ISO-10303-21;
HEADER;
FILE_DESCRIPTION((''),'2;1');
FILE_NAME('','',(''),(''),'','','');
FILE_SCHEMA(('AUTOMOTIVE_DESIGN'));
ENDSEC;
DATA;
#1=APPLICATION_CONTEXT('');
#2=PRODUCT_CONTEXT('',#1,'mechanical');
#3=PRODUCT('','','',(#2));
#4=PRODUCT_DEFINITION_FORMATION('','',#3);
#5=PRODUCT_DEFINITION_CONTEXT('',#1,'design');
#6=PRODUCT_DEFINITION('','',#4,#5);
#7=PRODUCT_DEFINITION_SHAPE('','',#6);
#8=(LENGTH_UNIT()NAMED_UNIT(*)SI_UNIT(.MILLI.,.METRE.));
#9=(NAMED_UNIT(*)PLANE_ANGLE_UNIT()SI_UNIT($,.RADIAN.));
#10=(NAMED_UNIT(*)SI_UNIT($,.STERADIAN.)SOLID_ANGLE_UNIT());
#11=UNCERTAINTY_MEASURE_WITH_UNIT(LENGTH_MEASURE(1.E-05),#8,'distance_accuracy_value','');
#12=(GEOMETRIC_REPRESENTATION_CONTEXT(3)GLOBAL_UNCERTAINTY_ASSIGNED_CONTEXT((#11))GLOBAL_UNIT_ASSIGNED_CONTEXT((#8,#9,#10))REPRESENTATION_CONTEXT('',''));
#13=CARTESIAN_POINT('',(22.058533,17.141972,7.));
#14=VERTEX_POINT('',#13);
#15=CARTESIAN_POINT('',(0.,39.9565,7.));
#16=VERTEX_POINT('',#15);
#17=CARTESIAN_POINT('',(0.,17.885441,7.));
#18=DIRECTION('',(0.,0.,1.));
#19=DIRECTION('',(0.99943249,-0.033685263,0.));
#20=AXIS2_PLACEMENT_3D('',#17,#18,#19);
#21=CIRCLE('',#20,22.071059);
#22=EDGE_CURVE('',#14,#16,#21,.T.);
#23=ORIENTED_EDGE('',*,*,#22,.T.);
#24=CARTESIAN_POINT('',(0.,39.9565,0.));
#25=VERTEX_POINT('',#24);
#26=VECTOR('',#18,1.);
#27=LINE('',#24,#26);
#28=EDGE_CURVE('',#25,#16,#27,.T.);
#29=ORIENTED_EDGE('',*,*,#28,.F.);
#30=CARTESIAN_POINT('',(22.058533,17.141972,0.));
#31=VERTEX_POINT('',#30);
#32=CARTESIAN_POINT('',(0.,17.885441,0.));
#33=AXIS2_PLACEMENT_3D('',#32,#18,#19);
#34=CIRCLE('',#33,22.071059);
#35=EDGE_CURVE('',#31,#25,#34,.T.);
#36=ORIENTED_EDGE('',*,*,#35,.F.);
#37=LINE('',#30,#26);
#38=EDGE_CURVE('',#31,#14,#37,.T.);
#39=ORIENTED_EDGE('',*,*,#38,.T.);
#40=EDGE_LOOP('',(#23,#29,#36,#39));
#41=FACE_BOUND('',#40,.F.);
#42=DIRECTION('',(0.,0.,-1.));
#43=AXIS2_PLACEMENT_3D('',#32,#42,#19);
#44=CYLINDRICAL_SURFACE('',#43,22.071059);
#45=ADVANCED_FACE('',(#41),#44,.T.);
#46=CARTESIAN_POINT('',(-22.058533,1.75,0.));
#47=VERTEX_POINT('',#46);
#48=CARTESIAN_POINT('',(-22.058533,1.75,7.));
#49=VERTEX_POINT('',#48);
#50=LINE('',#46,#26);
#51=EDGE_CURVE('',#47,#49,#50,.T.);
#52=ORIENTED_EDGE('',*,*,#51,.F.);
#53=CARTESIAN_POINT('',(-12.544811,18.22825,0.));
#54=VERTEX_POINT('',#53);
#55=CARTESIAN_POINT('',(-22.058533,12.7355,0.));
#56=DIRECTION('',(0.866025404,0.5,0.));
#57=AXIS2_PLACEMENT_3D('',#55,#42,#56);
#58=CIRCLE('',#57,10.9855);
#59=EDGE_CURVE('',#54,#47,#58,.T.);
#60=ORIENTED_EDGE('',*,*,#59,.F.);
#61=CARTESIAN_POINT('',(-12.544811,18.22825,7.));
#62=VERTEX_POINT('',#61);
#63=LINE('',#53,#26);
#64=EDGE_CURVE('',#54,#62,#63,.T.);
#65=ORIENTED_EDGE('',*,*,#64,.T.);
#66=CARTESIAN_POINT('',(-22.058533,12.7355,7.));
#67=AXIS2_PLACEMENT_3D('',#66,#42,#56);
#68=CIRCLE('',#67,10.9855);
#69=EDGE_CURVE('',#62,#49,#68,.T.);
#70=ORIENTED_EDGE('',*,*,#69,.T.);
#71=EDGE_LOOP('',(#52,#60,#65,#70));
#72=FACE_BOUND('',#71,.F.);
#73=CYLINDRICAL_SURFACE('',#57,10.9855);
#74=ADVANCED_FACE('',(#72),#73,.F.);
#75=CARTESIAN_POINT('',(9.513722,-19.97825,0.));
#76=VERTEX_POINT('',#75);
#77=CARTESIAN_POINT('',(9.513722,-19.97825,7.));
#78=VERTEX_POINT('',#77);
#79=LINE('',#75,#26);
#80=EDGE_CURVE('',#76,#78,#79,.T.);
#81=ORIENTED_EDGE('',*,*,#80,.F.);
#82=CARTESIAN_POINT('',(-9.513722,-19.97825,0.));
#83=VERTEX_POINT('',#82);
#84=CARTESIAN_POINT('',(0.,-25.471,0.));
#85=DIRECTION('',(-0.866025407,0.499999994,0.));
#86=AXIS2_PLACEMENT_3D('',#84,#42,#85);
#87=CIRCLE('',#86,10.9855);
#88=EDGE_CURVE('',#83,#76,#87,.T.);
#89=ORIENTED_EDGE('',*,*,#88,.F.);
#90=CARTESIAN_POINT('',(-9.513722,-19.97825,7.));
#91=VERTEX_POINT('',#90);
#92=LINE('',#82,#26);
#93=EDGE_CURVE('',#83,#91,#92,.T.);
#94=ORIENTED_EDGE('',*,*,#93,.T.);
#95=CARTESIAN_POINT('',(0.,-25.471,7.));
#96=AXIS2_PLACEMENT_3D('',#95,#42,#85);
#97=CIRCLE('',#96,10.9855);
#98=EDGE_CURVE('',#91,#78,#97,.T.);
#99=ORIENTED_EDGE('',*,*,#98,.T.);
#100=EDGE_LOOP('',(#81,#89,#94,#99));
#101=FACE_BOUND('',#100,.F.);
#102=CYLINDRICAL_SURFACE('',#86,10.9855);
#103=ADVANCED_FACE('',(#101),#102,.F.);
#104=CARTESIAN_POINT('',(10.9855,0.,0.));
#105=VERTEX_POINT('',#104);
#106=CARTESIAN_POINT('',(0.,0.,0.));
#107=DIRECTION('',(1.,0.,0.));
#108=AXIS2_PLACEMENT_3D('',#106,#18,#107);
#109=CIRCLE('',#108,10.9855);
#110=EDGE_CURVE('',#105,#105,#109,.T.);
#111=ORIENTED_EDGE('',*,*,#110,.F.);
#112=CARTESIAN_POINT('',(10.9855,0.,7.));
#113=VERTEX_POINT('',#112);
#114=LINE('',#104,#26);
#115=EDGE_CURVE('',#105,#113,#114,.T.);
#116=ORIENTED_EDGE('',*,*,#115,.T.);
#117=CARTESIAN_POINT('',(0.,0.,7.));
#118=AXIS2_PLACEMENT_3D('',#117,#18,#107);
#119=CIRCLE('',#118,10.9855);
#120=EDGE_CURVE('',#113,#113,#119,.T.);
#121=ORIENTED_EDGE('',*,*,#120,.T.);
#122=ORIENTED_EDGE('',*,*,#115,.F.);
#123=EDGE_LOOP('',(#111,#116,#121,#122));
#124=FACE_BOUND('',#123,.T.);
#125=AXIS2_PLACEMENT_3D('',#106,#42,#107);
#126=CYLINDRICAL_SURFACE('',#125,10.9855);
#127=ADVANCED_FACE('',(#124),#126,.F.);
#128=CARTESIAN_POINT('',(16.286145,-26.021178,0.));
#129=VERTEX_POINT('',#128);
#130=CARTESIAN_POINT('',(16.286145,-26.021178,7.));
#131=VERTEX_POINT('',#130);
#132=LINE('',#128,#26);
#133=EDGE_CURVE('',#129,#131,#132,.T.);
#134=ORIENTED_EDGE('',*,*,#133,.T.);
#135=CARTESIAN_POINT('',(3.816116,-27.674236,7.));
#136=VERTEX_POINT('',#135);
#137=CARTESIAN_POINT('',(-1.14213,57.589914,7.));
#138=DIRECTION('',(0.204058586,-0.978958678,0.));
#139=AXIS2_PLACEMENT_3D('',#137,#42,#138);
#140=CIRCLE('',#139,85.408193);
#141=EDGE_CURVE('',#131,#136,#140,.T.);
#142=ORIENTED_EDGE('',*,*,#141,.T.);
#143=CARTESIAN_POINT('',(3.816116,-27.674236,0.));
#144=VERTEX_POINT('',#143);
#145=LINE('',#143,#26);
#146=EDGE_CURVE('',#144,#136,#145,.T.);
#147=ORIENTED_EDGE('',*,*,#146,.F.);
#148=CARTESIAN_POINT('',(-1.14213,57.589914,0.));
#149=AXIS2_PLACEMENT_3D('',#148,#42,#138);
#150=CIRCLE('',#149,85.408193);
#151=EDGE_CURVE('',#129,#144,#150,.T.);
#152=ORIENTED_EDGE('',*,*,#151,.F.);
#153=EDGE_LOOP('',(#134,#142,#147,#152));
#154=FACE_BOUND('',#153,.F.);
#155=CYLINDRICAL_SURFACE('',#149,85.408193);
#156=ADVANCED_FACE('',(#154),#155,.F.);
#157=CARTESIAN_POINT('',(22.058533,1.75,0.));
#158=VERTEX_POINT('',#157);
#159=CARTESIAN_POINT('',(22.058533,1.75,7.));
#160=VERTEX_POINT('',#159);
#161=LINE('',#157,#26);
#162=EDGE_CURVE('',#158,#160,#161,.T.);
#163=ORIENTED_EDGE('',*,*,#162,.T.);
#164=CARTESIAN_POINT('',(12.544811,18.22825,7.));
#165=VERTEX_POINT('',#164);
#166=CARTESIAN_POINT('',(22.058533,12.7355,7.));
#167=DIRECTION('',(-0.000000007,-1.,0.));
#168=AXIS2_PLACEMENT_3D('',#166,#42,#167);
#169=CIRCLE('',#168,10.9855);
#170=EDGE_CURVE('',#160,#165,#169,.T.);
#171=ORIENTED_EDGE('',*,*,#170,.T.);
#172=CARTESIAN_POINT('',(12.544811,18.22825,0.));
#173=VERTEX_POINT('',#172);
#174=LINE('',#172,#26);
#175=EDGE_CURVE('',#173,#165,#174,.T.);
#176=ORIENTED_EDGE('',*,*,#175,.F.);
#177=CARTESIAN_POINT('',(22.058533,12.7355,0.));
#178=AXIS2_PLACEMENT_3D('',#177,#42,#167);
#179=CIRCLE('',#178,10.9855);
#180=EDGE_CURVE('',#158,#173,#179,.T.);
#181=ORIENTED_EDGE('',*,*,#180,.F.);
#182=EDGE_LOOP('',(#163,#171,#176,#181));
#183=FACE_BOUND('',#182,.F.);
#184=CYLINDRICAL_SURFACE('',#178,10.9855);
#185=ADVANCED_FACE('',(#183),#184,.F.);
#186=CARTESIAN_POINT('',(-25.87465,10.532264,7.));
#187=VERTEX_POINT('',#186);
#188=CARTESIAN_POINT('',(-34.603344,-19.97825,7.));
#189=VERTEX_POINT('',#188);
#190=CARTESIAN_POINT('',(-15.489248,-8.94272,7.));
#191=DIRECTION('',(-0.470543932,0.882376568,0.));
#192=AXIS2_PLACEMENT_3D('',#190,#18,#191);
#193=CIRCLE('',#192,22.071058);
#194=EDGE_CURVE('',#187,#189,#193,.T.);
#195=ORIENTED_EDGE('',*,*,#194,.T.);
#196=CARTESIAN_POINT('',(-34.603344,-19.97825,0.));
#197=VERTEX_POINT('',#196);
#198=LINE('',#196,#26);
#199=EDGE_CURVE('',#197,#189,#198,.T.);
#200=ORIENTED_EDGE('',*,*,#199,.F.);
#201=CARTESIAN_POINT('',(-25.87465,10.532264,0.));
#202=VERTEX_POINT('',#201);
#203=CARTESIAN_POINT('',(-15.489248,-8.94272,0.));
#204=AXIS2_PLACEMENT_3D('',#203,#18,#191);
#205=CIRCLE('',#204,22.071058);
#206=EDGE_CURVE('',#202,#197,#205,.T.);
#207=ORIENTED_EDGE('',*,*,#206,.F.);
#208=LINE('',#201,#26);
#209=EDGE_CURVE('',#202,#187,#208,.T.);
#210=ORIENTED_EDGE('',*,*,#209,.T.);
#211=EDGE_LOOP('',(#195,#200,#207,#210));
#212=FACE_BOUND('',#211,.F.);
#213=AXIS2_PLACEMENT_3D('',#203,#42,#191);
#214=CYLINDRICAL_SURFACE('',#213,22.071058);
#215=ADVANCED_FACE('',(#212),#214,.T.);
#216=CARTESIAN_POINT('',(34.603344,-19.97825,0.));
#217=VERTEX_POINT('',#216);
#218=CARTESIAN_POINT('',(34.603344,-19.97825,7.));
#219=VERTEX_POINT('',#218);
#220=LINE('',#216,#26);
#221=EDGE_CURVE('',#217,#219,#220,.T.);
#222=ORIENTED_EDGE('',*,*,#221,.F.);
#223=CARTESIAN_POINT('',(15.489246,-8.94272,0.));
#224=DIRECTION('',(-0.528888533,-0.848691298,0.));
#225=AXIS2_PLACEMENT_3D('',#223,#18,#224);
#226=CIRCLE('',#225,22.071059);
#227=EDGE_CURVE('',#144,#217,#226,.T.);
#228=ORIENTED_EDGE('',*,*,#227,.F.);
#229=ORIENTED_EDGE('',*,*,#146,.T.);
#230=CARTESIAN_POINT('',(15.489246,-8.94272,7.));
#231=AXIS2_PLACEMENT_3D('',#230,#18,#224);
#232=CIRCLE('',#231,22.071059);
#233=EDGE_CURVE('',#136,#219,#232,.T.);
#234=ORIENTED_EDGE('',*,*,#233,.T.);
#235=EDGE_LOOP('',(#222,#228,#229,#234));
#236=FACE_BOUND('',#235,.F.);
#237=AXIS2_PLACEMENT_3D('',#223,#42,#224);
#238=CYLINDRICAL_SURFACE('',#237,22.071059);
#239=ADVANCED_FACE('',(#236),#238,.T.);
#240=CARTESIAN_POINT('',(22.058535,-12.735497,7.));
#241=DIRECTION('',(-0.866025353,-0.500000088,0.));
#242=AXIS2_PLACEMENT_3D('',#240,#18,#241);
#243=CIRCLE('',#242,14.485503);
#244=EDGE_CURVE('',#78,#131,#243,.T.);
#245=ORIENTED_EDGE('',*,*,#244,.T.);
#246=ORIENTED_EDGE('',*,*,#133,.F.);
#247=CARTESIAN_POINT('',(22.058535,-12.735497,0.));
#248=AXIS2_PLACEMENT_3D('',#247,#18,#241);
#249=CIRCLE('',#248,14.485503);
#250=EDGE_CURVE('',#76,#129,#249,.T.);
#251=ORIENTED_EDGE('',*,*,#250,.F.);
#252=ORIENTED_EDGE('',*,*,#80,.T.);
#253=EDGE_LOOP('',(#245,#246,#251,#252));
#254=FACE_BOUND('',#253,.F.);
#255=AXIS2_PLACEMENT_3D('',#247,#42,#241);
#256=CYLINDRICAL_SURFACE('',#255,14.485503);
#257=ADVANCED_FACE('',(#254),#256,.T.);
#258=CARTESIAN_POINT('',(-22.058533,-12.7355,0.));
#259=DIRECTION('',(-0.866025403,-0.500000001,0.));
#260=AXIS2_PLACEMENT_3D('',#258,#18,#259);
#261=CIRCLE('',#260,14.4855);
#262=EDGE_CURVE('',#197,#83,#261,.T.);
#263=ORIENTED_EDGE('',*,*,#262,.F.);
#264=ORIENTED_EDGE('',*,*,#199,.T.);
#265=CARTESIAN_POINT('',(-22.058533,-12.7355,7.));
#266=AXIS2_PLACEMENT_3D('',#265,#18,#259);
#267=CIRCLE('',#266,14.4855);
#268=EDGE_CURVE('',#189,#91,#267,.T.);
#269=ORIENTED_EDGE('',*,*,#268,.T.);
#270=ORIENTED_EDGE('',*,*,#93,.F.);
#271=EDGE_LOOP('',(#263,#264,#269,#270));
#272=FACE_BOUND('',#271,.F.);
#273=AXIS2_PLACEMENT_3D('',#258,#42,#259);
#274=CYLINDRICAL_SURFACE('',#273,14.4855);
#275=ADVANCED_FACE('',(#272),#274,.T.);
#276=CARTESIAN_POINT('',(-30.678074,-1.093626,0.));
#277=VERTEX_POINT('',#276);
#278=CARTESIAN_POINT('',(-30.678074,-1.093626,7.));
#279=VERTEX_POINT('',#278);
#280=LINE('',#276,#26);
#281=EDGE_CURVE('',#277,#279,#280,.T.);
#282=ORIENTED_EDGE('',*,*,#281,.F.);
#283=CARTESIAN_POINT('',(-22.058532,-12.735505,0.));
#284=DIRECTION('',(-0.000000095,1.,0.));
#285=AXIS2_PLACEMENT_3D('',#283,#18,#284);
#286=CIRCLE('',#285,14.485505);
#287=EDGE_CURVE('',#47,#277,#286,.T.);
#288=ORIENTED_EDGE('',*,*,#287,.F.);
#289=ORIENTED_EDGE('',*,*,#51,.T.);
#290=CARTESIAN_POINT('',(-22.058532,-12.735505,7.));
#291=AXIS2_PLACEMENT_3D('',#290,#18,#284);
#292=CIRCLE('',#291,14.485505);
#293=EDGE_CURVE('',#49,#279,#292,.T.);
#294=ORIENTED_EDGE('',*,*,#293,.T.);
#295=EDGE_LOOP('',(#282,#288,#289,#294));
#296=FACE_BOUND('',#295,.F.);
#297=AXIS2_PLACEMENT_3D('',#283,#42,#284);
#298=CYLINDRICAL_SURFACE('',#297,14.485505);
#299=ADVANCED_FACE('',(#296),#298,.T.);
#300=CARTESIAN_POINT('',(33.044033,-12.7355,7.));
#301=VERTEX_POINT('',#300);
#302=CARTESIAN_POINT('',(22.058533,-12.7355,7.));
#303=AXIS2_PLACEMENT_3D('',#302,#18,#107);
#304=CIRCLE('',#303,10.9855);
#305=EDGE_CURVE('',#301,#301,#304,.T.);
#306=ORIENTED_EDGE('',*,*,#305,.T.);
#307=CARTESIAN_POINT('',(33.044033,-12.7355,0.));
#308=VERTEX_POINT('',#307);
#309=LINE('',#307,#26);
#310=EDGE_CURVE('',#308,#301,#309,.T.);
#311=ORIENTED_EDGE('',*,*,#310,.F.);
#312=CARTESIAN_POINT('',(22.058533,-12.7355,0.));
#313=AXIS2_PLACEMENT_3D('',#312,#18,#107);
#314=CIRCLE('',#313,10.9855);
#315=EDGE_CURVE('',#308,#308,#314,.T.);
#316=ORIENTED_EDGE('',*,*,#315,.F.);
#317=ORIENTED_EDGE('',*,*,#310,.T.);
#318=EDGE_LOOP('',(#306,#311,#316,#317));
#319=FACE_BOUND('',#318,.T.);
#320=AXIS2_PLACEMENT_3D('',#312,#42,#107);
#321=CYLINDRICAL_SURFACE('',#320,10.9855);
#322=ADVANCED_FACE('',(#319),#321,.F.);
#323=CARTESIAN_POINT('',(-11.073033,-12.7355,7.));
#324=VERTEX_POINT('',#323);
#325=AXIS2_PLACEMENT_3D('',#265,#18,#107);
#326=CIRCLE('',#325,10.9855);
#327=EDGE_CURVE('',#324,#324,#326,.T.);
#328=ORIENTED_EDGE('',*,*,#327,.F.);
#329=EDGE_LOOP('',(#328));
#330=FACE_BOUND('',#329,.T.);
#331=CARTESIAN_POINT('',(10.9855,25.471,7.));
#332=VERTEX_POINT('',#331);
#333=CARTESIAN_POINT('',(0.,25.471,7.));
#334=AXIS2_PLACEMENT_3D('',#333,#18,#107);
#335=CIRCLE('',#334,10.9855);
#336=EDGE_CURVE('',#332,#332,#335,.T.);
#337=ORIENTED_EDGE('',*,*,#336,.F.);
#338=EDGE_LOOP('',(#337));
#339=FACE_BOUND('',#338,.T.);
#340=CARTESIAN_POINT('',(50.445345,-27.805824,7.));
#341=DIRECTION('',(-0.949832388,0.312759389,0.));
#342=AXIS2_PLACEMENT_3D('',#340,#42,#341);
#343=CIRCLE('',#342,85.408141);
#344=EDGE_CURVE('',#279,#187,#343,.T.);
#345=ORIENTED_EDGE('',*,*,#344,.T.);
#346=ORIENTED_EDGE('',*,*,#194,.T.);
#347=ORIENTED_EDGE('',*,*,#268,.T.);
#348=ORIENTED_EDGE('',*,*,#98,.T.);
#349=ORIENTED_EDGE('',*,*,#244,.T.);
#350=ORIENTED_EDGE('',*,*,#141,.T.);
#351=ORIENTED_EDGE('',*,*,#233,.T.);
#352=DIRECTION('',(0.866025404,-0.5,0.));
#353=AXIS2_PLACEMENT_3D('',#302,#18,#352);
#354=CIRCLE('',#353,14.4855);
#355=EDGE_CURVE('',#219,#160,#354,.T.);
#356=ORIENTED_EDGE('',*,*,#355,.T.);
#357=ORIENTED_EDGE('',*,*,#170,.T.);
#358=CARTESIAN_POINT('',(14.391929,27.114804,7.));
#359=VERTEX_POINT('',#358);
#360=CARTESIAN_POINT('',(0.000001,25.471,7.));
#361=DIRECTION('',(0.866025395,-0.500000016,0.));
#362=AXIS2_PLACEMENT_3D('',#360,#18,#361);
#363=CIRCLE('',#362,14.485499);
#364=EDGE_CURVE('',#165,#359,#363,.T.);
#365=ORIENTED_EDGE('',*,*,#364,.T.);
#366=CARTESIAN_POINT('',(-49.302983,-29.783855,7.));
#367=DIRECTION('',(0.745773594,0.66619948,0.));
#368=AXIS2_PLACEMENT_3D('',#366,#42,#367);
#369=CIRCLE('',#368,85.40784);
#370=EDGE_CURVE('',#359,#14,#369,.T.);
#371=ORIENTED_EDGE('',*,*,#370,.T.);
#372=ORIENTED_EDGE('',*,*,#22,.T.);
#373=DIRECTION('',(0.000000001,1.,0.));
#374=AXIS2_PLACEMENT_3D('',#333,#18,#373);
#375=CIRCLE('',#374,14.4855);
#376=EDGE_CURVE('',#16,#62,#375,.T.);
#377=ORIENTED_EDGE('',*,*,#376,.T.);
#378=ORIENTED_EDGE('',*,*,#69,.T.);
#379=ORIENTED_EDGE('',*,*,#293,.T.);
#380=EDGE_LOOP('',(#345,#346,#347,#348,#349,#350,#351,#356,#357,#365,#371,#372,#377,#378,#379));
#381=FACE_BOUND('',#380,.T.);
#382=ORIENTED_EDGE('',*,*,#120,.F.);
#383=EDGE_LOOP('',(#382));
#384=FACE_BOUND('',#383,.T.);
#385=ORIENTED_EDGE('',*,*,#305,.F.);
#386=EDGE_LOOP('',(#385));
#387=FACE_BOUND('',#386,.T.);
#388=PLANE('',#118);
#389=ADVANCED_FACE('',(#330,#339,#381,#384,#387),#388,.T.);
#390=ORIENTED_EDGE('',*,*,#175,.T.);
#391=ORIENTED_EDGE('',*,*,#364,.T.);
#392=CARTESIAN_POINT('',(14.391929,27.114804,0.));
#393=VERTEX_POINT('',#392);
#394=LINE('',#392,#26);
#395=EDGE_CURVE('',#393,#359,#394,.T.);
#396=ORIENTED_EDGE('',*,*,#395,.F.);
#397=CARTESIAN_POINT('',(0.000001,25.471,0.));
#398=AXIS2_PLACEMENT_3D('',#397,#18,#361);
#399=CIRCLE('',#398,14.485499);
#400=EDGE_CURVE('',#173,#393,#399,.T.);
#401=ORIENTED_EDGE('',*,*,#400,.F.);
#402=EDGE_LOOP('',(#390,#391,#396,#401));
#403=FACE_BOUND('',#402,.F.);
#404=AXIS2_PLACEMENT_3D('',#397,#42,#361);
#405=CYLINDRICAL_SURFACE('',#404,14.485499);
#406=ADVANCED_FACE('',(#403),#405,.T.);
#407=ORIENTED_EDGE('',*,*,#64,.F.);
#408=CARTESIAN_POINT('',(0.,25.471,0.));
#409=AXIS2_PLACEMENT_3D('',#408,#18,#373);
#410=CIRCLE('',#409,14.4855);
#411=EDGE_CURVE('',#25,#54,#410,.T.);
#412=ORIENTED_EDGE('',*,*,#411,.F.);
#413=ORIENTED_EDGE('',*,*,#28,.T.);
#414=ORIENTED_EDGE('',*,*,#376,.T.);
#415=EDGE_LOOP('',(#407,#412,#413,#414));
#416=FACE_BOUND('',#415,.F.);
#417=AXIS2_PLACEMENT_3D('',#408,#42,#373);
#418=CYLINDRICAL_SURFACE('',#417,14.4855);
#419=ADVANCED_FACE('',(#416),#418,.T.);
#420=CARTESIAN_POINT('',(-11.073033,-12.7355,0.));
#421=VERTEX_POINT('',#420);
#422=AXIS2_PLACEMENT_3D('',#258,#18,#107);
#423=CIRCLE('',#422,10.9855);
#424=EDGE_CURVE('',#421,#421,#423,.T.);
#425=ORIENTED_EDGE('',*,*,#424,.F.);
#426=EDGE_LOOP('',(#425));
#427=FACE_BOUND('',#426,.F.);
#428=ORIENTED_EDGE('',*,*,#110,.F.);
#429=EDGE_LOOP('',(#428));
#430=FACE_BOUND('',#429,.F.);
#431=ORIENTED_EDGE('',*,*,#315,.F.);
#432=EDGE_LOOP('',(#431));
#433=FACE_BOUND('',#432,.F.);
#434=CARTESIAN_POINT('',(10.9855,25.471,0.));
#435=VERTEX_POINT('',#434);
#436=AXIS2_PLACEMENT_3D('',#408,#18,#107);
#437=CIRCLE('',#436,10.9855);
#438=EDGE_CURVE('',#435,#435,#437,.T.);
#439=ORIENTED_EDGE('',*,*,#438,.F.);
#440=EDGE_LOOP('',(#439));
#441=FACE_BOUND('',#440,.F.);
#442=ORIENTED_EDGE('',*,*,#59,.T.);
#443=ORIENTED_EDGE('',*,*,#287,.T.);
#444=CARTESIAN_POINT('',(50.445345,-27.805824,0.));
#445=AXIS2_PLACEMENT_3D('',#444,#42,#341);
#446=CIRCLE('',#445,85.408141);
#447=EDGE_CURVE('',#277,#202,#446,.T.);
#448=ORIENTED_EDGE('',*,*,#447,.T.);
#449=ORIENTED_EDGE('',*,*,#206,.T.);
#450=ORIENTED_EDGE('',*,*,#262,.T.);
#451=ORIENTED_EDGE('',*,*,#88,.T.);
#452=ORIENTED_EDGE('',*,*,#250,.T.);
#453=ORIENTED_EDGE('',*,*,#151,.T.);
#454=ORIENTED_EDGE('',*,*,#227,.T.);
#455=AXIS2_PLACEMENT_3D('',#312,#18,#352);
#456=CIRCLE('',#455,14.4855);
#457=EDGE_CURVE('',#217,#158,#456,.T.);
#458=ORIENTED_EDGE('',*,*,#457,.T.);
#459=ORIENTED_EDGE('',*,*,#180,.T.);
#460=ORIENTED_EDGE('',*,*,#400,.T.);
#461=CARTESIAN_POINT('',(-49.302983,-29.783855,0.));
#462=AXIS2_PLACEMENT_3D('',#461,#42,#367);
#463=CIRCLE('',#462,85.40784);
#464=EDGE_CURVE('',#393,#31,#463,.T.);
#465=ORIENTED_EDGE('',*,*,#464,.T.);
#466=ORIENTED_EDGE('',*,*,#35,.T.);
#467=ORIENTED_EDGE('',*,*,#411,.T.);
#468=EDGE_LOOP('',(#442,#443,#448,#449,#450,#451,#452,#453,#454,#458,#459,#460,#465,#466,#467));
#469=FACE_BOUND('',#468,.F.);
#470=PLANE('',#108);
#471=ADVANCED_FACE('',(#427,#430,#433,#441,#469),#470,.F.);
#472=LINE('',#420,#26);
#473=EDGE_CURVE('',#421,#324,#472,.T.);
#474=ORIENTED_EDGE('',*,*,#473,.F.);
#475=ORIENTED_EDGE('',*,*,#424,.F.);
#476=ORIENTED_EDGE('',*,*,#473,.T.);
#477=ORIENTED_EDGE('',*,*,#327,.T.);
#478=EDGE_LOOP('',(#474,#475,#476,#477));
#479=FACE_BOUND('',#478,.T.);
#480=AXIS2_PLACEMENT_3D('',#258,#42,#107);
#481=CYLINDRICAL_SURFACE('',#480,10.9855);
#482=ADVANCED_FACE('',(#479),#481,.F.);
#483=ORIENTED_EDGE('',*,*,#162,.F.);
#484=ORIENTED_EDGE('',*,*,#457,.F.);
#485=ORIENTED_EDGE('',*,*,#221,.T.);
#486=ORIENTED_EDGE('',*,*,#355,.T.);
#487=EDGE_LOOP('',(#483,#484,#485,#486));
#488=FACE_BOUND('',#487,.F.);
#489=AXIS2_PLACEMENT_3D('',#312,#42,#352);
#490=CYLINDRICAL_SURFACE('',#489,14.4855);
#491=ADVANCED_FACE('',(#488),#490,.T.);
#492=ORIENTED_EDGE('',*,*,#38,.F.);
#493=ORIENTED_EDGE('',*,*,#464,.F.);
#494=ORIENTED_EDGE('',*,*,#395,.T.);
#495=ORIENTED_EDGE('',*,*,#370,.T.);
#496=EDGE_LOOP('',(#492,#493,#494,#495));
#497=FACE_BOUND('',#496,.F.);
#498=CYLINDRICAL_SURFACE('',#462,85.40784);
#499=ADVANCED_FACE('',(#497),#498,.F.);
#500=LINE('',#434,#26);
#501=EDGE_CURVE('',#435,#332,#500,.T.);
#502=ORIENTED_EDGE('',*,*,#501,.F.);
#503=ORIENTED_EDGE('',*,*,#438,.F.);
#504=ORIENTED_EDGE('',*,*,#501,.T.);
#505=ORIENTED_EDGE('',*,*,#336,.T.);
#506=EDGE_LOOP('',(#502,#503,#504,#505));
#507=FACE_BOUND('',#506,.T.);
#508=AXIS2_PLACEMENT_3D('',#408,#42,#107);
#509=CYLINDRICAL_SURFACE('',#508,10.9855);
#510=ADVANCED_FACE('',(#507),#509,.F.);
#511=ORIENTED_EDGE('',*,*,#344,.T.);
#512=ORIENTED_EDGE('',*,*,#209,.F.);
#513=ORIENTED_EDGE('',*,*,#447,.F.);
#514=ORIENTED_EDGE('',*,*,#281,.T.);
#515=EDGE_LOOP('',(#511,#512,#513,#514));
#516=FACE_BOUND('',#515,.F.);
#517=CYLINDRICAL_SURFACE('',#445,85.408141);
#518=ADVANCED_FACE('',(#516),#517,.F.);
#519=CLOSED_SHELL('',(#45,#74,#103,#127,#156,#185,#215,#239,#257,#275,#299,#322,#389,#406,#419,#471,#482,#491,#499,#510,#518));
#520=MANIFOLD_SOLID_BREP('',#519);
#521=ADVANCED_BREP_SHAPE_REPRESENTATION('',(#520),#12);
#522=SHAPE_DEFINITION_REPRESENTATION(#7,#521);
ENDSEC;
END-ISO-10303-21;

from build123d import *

# Parameters (mm, degrees)
F1_R     = 10.9855
F2_DEPTH = 7


with BuildPart() as f2:
    # F1 (on Top) → F2 (new body)
    with BuildSketch(Plane.XY):
        with BuildLine():
            ThreePointArc((-12.544811, 18.22825), (-12.544811, 7.24275), (-22.058533, 1.75))
            ThreePointArc((-22.058533, 1.75), (-26.596779, 1.020736), (-30.678074, -1.093626))
            ThreePointArc((-30.678074, -1.093626), (-28.490689, 4.807872), (-25.87465, 10.532264))
            ThreePointArc((-25.87465, 10.532264), (-36.709002, -2.872002), (-34.603344, -19.97825))
            ThreePointArc((-34.603344, -19.97825), (-22.058533, -27.221), (-9.513722, -19.97825))
            ThreePointArc((-9.513722, -19.97825), (0, -14.4855), (9.513722, -19.97825))
            ThreePointArc((9.513722, -19.97825), (12.414406, -23.543854), (16.286145, -26.021178))
            ThreePointArc((16.286145, -26.021178), (10.081605, -27.077596), (3.816116, -27.674236))
            ThreePointArc((3.816116, -27.674236), (20.841727, -30.354927), (34.603344, -19.97825))
            ThreePointArc((34.603344, -19.97825), (34.603344, -5.49275), (22.058533, 1.75))
            ThreePointArc((22.058533, 1.75), (12.544811, 7.24275), (12.544811, 18.22825))
            ThreePointArc((12.544811, 18.22825), (14.182373, 22.523118), (14.391929, 27.114804))
            ThreePointArc((14.391929, 27.114804), (18.409084, 22.269725), (22.058533, 17.141972))
            ThreePointArc((22.058533, 17.141972), (15.867274, 33.226929), (0, 39.9565))
            ThreePointArc((0, 39.9565), (-12.544811, 32.71375), (-12.544811, 18.22825))
        make_face()
        with Locations((-22.058533, -12.7355)):
            Circle(F1_R, mode=Mode.SUBTRACT)
        Circle(F1_R, mode=Mode.SUBTRACT)
        with Locations((22.058533, -12.7355)):
            Circle(F1_R, mode=Mode.SUBTRACT)
        with Locations((0, 25.471)):
            Circle(F1_R, mode=Mode.SUBTRACT)
    extrude(amount=F2_DEPTH)


solid = f2.part
